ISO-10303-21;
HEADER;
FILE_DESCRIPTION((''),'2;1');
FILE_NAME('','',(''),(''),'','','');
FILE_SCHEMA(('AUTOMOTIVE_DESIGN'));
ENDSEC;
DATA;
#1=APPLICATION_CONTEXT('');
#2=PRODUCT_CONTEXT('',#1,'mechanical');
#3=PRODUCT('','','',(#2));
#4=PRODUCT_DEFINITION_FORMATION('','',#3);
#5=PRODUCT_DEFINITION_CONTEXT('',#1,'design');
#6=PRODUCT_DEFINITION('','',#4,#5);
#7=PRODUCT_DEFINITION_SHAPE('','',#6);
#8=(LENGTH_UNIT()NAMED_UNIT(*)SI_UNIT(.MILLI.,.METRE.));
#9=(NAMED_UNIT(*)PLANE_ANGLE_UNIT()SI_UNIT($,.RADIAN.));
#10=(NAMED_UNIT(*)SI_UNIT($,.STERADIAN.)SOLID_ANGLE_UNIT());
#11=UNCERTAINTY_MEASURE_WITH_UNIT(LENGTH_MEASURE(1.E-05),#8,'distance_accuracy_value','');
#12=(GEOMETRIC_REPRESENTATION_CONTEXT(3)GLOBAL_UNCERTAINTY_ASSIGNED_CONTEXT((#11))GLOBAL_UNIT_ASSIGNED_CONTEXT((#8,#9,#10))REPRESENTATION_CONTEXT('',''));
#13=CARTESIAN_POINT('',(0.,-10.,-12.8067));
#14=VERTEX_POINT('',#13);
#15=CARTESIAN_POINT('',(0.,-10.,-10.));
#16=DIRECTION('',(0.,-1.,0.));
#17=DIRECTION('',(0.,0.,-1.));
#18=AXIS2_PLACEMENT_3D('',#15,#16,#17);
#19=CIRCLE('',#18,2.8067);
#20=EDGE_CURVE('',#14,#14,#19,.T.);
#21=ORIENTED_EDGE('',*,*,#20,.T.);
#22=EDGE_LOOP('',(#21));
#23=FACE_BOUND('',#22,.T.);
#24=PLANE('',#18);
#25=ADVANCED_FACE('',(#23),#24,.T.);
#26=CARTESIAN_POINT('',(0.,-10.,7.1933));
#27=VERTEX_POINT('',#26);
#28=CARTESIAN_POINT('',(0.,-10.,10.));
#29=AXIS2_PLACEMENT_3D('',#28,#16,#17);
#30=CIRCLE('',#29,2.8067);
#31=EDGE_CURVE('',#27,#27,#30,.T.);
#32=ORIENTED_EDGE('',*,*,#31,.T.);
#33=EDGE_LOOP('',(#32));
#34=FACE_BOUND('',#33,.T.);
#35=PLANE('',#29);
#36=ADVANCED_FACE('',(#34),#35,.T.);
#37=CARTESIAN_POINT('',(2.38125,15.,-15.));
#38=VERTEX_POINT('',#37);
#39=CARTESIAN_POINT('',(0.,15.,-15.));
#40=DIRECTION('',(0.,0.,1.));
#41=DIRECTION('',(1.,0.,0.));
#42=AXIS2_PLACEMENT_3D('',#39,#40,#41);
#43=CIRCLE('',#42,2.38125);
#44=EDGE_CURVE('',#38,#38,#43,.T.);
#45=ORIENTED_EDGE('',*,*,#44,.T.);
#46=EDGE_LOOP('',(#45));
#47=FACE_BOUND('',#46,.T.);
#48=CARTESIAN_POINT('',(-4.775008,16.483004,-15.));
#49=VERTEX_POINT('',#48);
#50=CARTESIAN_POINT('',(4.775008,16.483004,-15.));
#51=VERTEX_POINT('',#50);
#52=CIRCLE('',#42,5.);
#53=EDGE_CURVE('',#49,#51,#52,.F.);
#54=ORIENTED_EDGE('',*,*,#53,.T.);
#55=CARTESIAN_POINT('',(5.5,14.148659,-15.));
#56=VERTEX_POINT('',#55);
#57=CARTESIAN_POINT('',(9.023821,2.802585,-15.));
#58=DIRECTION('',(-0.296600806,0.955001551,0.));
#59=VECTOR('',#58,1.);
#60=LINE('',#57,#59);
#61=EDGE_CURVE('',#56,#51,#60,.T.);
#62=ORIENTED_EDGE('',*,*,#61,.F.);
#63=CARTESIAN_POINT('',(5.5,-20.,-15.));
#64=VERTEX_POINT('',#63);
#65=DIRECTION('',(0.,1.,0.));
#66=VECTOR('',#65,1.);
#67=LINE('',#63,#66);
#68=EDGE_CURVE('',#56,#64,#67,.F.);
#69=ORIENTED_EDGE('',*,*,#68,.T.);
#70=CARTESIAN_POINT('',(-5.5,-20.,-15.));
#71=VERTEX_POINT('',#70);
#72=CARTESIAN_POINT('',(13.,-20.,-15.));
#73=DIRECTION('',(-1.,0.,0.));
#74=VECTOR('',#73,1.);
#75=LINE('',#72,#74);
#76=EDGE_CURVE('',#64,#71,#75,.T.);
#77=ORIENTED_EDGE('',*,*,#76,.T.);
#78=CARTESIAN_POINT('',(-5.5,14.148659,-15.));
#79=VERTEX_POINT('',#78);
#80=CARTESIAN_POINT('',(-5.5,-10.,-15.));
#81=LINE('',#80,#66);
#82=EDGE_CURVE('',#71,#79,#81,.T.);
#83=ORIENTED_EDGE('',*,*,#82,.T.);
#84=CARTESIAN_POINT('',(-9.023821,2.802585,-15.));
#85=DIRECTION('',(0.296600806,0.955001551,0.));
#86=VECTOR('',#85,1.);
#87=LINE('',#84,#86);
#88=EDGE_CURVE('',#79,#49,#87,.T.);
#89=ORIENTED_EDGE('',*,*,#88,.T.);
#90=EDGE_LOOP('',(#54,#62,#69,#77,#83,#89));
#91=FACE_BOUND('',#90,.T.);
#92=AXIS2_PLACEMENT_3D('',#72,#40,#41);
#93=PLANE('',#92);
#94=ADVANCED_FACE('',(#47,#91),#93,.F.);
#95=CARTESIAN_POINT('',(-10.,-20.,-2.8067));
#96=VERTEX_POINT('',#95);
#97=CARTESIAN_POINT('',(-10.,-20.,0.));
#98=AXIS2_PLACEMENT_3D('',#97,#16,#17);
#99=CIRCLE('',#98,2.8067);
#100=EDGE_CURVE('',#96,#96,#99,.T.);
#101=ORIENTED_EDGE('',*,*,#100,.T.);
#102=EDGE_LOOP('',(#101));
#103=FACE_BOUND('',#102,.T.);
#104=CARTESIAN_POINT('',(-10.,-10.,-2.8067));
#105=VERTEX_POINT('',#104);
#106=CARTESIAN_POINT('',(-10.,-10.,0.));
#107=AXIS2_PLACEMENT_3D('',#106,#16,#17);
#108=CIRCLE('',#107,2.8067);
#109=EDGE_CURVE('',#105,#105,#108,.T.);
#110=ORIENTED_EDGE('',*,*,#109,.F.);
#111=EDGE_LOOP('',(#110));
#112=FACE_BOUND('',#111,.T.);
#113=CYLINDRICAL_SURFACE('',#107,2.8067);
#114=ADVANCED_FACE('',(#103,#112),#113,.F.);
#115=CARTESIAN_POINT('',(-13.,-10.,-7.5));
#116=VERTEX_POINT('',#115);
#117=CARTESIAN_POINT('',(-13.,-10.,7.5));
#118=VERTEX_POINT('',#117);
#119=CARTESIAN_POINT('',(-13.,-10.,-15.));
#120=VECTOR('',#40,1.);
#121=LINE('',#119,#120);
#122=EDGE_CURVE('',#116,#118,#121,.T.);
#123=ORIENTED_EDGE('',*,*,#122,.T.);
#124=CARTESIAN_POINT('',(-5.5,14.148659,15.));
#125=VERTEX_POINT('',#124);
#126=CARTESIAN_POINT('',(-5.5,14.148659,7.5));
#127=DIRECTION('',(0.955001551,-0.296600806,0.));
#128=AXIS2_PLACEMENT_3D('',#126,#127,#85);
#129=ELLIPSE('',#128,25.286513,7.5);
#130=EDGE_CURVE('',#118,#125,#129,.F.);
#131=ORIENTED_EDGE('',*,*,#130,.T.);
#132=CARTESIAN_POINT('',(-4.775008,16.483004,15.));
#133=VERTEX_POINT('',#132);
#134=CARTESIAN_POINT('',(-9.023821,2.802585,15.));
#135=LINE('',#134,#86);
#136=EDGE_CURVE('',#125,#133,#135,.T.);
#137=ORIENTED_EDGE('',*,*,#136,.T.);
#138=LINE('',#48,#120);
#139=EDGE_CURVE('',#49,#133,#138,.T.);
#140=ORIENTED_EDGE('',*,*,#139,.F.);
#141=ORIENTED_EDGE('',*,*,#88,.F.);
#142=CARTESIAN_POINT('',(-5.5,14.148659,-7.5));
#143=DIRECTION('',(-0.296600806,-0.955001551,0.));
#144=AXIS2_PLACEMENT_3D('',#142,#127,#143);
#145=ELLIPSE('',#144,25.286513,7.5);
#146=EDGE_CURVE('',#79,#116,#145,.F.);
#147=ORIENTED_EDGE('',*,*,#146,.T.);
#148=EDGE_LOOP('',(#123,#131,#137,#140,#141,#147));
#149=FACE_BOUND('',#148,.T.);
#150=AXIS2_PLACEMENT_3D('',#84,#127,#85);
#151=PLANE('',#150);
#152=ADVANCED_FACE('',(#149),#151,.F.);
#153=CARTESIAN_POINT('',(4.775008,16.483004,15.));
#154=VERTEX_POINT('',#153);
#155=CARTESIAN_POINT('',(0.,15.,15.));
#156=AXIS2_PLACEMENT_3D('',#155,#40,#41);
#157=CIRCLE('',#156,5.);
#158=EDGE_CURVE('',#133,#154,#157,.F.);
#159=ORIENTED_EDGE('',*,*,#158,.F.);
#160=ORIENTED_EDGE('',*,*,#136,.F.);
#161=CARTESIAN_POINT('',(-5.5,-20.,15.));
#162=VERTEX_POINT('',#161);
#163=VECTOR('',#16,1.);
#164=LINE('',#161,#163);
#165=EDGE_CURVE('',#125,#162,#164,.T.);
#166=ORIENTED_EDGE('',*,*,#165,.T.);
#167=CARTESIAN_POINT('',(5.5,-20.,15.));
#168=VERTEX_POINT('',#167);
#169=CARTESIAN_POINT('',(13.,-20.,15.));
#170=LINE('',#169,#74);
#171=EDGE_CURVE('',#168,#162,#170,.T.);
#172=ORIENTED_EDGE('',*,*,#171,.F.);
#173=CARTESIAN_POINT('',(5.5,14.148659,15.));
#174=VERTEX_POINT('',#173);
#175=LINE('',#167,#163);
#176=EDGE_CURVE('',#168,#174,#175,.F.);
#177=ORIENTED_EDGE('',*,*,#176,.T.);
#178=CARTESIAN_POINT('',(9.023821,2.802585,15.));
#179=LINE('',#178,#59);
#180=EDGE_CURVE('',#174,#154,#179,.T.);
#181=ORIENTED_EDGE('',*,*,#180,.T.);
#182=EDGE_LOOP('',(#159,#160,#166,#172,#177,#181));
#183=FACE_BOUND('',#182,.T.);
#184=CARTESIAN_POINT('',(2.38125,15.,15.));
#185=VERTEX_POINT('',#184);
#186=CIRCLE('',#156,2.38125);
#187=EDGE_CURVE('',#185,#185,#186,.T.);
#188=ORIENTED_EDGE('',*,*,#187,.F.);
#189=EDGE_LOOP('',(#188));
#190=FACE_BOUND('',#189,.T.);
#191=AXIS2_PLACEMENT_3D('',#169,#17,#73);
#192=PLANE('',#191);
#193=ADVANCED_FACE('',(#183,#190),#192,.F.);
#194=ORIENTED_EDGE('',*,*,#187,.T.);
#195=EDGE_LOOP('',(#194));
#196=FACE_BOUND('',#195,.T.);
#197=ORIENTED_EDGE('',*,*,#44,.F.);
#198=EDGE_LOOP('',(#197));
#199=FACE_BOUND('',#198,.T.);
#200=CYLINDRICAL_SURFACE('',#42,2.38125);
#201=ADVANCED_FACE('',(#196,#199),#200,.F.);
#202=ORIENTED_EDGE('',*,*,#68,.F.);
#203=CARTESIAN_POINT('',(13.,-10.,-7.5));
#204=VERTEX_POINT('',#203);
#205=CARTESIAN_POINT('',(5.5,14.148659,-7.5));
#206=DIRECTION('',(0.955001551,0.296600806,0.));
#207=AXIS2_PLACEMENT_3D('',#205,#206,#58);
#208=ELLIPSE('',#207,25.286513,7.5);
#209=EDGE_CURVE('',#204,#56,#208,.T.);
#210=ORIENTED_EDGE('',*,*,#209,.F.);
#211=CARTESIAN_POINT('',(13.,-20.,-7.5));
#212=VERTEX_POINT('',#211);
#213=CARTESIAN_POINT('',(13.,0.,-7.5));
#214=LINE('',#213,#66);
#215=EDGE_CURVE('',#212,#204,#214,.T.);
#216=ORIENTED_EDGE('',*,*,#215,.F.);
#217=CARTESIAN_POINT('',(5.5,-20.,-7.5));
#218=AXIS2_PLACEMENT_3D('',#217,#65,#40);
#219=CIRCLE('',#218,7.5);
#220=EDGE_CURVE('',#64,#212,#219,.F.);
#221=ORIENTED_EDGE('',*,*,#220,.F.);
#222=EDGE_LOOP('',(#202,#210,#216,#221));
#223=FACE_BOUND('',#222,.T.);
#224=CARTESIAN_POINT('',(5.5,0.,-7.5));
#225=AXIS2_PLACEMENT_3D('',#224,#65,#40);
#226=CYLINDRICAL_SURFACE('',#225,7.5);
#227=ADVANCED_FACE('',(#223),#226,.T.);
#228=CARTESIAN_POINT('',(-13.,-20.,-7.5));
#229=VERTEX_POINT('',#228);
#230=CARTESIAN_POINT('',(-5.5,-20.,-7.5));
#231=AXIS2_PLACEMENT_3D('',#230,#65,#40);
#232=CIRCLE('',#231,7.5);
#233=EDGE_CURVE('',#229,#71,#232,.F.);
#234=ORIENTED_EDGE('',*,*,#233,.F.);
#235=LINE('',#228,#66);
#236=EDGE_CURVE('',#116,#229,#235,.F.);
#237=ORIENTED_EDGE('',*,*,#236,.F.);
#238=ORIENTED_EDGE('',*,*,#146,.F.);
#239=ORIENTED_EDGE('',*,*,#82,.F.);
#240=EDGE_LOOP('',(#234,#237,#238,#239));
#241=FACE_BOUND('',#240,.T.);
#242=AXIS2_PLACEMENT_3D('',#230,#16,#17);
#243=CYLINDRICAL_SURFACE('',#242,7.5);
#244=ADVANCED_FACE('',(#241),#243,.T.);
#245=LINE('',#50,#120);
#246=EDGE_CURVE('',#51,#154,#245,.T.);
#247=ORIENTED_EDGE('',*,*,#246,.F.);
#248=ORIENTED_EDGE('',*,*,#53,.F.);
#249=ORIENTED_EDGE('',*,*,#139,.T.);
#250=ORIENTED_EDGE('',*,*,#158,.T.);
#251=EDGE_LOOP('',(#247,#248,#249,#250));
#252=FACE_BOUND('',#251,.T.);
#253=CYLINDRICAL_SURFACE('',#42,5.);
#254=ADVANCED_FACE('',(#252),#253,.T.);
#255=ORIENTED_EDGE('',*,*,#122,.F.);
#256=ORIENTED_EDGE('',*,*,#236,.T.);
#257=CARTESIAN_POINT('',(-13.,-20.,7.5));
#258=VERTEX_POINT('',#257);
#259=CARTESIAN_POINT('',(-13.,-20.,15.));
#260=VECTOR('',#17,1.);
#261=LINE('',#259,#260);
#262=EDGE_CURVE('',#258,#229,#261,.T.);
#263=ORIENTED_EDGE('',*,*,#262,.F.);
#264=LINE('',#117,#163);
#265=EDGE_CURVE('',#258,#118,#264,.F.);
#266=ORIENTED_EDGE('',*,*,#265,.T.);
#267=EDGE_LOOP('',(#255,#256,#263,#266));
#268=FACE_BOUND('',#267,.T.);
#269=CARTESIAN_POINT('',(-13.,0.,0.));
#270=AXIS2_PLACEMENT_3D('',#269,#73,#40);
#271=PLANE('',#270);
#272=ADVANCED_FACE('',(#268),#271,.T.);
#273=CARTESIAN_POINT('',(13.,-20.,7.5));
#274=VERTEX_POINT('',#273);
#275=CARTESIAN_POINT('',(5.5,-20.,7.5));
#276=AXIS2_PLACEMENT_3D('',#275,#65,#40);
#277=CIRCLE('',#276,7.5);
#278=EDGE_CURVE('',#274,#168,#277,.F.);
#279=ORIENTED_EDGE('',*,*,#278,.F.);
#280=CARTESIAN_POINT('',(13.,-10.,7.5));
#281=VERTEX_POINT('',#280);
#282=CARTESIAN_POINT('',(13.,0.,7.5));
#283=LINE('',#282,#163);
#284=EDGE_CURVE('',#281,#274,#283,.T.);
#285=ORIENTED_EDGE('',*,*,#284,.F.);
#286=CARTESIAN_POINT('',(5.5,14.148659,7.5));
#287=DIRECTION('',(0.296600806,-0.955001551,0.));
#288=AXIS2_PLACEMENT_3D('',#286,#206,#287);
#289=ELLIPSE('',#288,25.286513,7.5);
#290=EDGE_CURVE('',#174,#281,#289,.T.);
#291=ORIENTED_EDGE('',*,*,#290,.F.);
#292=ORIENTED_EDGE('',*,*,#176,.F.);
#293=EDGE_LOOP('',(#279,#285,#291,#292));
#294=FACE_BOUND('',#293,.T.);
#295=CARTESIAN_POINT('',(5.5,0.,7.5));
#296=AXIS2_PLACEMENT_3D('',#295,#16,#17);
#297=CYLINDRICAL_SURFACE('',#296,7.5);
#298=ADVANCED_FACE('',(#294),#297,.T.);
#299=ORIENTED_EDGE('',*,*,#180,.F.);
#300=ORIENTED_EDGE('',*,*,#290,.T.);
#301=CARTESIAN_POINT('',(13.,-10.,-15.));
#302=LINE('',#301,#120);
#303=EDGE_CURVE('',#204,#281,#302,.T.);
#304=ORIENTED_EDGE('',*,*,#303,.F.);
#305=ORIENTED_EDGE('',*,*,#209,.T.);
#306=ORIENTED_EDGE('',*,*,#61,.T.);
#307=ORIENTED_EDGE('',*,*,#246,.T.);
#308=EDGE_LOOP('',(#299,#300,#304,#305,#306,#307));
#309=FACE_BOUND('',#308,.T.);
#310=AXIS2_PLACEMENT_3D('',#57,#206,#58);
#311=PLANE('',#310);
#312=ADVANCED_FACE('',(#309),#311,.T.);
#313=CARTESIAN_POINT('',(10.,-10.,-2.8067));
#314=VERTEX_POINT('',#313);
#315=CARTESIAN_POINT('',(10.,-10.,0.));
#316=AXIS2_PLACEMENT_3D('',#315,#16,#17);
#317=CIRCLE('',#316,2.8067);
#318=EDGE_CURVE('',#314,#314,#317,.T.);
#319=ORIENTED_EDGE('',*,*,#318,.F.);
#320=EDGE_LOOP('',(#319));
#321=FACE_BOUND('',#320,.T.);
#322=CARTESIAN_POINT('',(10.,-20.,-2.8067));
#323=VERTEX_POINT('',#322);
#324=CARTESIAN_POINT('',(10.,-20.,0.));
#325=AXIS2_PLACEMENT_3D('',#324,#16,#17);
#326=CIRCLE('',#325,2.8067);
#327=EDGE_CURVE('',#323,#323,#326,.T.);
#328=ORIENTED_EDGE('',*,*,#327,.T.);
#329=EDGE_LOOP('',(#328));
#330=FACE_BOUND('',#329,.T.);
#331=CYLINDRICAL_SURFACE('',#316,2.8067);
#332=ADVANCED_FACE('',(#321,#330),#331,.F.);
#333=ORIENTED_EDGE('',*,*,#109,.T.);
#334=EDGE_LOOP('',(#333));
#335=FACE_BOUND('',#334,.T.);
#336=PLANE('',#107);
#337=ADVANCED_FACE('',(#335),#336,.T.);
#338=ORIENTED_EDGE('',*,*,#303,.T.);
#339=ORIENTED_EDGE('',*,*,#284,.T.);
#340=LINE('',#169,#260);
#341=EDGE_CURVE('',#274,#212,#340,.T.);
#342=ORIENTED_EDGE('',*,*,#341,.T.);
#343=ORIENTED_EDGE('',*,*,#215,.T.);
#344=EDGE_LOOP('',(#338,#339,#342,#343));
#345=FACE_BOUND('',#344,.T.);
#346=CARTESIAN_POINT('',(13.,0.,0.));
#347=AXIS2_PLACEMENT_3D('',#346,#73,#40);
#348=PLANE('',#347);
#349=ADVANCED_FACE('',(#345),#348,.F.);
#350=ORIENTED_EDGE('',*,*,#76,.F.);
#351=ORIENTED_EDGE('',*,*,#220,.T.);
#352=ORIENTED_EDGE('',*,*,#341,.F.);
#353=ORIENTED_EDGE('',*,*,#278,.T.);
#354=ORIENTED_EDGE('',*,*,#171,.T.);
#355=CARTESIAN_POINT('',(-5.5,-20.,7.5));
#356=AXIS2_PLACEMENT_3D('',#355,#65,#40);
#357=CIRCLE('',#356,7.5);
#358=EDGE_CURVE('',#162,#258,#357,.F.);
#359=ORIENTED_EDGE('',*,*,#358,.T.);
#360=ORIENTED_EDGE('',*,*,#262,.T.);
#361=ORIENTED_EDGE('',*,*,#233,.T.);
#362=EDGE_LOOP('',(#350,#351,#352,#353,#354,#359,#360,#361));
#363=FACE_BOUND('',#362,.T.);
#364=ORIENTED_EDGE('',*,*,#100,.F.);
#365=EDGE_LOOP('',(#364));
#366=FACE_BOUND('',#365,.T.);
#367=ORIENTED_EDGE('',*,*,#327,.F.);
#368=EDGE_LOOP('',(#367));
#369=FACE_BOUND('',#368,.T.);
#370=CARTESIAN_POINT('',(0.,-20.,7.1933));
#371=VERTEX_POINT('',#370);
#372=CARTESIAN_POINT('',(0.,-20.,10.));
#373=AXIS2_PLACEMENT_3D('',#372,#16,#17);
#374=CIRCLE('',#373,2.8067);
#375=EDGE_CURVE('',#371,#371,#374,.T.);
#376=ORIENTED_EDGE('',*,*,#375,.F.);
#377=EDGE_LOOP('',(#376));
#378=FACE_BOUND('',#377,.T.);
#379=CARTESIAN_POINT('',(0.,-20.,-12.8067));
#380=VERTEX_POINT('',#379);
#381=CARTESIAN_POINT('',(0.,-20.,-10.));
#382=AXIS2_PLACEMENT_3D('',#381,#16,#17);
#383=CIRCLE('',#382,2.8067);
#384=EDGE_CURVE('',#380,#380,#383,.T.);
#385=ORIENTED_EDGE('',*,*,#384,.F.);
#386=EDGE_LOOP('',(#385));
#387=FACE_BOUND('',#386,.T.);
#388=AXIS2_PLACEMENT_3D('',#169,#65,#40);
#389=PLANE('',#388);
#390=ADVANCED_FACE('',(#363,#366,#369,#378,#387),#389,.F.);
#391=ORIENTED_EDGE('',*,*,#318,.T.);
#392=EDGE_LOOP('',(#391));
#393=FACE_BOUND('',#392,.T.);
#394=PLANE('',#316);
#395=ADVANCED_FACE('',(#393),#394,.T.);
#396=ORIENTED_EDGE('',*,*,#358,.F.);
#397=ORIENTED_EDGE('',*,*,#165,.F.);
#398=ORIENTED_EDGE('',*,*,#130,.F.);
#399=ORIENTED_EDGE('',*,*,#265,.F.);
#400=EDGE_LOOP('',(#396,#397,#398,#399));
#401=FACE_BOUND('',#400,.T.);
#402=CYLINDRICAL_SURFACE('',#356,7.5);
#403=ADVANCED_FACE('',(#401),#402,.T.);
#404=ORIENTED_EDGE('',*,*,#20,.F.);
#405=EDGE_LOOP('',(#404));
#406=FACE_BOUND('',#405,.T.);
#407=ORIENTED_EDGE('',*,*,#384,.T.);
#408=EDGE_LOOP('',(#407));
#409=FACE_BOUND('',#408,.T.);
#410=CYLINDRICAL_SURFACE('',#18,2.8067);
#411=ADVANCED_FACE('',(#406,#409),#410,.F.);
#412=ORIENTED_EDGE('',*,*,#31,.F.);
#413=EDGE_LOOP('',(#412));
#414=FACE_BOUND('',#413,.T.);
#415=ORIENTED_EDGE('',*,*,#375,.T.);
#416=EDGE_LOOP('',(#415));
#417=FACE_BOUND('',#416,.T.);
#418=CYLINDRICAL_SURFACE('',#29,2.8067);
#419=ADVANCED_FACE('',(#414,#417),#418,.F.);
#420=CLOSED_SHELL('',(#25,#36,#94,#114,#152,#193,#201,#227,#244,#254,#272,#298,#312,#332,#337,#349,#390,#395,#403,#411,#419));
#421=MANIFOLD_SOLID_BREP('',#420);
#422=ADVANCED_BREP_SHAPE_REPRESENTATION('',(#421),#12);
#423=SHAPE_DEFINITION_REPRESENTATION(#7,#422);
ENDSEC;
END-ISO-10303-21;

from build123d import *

# Parameters (mm, degrees)
SKETCH1_W           = 30
SKETCH1_H           = 40
BOSS_EXTRUDE1_DEPTH = 13
SKETCH2_R           = 2.38125
CUT_EXTRUDE1_DEPTH  = 39.327535793
SKETCH3_R           = 2.8067
CUT_EXTRUDE2_DEPTH  = 10
FILLET1_R           = 7.5


with BuildPart() as part:
    # Sketch1 → Boss-Extrude1 (new, symmetric)
    with BuildSketch(Plane(origin=(0, 0, 0), x_dir=(0, 0, -1), z_dir=(1, 0, 0))):
        Rectangle(SKETCH1_W, SKETCH1_H)
    extrude(amount=BOSS_EXTRUDE1_DEPTH, both=True)

    # Sketch2 → Cut-Extrude1 (cut, through all)
    with BuildSketch(Plane.XY.offset(15)):
        with BuildLine():
            Line((-13, 20), (-13, -10))
            Line((-13, -10), (-4.775007753, 16.483004032))
            ThreePointArc((-4.775007753, 16.483004032), (-2.965213301, 19.025855198), (0, 20))
            Line((0, 20), (-13, 20))
        make_face()
        with Locations((0, 15)):
            Circle(SKETCH2_R)
        with BuildLine():
            Line((13, 20), (0, 20))
            ThreePointArc((0, 20), (2.965213301, 19.025855198), (4.775007753, 16.483004032))
            Line((4.775007753, 16.483004032), (13, -10))
            Line((13, -10), (13, 20))
        make_face()
    extrude(amount=-CUT_EXTRUDE1_DEPTH, mode=Mode.SUBTRACT)

    # Sketch3 → Cut-Extrude2 (cut)
    with BuildSketch(Plane.XZ.offset(20)):
        with Locations(Location((0, 10, 0), (0, 0, 270))):
            Circle(SKETCH3_R)
        with Locations(Location((0, -10, 0), (0, 0, 270))):
            Circle(SKETCH3_R)
        with Locations(Location((-10, 0, 0), (0, 0, 270))):
            Circle(SKETCH3_R)
        with Locations(Location((10, 0, 0), (0, 0, 270))):
            Circle(SKETCH3_R)
    extrude(amount=-CUT_EXTRUDE2_DEPTH, mode=Mode.SUBTRACT)

    # Fillet1
    fillet1_edges = [part.edges().sort_by_distance(p)[0] for p in [
        (-13, -15, 15),
        (13, -15, 15),
        (13, -15, -15),
        (-13, -15, -15),
    ]]
    fillet(fillet1_edges, radius=FILLET1_R)


solid = part.part
